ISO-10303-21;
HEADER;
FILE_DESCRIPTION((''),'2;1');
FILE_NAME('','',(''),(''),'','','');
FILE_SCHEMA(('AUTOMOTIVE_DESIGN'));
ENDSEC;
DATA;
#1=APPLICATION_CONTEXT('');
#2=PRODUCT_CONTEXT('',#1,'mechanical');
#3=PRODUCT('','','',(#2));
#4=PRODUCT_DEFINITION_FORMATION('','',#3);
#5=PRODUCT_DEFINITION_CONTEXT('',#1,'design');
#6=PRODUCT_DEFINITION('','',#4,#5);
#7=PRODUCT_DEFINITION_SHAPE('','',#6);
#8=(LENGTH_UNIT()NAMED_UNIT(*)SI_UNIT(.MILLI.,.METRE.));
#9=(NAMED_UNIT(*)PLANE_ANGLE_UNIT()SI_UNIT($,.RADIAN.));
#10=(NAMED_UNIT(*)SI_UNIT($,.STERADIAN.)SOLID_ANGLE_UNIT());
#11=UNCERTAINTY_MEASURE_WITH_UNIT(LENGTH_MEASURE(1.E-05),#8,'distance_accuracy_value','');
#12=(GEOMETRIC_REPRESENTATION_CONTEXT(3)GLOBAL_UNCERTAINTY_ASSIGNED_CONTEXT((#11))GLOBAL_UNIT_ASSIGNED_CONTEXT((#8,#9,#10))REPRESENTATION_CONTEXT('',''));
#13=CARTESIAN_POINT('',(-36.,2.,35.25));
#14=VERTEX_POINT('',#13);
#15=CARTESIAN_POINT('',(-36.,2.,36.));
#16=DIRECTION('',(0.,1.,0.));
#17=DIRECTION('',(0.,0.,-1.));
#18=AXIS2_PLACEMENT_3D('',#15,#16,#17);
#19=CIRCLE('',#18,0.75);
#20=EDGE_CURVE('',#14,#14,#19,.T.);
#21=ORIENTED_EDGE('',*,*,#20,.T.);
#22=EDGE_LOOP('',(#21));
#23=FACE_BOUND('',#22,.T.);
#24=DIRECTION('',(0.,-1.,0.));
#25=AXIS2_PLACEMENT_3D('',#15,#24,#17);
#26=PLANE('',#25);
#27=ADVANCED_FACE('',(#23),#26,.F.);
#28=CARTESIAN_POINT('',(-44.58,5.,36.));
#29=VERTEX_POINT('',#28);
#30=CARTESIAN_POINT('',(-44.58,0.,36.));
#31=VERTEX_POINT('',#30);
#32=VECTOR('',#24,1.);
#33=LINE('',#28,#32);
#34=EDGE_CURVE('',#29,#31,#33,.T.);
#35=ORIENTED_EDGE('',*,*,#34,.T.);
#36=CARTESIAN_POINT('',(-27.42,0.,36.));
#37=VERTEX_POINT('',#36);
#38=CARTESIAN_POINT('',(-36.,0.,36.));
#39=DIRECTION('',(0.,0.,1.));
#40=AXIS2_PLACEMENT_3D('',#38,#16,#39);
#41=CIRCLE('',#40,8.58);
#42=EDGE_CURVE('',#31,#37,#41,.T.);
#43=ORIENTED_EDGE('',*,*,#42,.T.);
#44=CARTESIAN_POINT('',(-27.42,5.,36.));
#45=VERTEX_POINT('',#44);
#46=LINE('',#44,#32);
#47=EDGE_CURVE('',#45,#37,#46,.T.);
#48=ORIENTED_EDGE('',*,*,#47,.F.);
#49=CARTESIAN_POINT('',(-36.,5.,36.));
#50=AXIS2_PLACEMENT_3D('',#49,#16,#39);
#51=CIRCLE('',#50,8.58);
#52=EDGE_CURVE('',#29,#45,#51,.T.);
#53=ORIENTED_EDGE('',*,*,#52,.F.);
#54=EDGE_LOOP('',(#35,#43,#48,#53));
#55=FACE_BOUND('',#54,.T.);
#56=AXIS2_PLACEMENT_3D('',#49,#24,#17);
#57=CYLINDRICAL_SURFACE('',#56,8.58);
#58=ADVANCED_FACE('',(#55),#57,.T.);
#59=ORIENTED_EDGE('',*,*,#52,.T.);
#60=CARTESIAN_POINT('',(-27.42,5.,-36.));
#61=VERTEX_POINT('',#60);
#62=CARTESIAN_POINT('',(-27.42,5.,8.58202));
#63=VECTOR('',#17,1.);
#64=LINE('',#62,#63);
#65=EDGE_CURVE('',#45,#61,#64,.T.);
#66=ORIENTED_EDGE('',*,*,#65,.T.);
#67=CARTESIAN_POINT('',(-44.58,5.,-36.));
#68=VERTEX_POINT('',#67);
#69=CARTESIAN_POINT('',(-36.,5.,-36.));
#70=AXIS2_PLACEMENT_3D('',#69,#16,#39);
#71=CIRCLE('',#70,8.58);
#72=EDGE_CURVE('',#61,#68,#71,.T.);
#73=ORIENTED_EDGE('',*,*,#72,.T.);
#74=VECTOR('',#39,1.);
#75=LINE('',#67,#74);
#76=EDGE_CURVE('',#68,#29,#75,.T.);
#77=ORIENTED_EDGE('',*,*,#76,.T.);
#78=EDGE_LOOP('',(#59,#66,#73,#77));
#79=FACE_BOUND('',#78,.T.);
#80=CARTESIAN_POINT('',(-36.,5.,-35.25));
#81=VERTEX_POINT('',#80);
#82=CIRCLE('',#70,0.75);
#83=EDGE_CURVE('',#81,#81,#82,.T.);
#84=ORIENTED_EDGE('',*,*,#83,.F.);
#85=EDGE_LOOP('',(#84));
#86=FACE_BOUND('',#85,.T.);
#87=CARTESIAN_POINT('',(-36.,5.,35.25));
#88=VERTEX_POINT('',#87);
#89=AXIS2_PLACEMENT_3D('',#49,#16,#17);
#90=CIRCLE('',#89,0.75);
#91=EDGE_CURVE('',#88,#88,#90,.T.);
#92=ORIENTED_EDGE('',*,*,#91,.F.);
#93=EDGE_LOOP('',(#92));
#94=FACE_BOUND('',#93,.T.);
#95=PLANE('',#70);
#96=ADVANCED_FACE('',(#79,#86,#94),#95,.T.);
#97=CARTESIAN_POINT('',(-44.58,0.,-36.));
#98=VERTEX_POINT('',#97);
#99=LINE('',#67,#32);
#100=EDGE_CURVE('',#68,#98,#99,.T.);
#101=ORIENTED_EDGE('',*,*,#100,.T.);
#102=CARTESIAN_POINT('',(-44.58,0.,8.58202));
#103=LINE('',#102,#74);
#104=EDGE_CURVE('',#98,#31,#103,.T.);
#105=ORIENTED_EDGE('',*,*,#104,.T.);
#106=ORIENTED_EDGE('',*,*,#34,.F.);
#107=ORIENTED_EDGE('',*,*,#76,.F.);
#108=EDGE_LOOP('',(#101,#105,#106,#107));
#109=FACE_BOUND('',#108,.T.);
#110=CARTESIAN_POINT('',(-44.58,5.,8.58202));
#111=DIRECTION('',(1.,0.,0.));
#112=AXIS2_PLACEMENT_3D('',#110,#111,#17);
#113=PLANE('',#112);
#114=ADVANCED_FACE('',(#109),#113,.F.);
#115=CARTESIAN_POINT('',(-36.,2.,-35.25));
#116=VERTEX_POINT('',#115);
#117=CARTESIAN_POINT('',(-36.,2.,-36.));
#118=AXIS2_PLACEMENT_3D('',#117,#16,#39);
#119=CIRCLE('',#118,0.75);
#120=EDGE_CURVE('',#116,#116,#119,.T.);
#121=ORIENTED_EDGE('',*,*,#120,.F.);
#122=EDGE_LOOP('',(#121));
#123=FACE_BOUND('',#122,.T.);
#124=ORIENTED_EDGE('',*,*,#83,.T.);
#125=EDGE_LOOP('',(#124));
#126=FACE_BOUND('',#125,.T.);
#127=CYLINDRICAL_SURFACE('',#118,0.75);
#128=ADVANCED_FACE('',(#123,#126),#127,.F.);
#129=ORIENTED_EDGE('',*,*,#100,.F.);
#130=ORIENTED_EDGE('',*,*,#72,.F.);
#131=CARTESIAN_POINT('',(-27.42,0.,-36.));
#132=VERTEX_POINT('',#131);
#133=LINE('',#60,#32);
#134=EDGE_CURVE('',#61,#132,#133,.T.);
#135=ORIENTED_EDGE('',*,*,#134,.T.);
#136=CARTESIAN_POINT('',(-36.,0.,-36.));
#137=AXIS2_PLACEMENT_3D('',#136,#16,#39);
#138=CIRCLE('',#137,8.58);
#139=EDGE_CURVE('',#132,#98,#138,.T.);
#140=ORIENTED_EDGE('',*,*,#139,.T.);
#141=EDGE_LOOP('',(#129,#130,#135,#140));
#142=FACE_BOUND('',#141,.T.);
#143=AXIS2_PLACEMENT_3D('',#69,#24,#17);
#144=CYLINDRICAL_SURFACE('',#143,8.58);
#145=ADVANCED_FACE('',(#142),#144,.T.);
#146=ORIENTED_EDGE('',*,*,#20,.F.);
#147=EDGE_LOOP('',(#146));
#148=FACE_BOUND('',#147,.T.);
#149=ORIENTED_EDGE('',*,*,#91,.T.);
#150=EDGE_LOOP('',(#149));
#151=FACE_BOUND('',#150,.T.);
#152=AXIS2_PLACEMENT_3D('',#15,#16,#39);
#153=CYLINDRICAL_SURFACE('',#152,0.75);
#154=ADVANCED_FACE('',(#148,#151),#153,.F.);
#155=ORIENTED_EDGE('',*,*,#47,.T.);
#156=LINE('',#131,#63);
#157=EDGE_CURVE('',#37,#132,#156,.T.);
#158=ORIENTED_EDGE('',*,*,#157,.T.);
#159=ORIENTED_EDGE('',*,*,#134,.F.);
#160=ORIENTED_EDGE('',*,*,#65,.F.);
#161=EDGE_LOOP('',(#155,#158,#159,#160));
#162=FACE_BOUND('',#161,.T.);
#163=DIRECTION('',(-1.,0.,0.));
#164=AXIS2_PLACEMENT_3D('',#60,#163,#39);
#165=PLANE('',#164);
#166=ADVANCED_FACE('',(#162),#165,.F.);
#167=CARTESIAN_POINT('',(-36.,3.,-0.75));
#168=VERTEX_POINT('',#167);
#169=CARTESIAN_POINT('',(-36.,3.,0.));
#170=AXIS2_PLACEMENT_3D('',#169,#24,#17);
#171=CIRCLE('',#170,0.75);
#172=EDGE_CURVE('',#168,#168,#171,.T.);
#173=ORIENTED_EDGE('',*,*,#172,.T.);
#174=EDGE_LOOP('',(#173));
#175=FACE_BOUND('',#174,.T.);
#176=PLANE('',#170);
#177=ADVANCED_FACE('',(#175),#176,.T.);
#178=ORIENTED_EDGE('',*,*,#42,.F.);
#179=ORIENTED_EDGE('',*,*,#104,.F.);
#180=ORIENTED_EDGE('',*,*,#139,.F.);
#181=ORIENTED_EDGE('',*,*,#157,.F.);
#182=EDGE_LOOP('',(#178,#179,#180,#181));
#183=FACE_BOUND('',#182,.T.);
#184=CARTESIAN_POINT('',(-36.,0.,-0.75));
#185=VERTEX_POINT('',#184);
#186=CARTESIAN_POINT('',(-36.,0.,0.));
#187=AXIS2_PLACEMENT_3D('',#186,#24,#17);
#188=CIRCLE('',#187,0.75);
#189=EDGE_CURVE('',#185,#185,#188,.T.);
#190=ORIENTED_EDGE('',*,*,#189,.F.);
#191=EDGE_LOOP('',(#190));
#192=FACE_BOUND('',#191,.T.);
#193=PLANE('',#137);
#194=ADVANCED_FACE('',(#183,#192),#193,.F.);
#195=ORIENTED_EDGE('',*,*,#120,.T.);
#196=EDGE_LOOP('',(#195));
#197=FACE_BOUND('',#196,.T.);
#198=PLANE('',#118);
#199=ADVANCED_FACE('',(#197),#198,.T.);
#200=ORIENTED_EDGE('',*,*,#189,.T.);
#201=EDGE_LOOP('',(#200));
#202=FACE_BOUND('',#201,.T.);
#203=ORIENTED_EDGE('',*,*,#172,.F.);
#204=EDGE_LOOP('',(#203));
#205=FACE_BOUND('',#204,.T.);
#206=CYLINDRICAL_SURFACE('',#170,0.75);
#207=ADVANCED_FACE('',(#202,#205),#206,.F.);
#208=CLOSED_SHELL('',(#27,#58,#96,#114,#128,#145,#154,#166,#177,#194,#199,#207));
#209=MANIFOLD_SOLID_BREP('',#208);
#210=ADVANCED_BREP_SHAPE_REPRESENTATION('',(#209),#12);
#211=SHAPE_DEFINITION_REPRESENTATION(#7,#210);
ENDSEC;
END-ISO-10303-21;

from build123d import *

# Parameters (mm, degrees)
BOSS_EXTRUDE1_DEPTH = 5
SKETCH3_R           = 0.75
CUT_EXTRUDE1_DEPTH  = 3
SKETCH4_R           = 0.75
CUT_EXTRUDE2_DEPTH  = 3


with BuildPart() as part:
    # Sketch2 → Boss-Extrude1 (new body)
    with BuildSketch(Plane(origin=(0, 0, 0), x_dir=(1, 0, 0), z_dir=(0, 1, 0))):
        with BuildLine():
            Line((-27.42, 36), (-27.42, 8.582019714))
            Line((-27.42, 8.582019714), (-27.42, -8.582019714))
            Line((-27.42, -8.582019714), (-27.42, -36))
            ThreePointArc((-27.42, -36), (-36, -44.58), (-44.58, -36))
            Line((-44.58, -36), (-44.58, -8.582019714))
            Line((-44.58, -8.582019714), (-44.58, 8.582019714))
            Line((-44.58, 8.582019714), (-44.58, 36))
            ThreePointArc((-44.58, 36), (-36, 44.58), (-27.42, 36))
        make_face()
    extrude(amount=BOSS_EXTRUDE1_DEPTH)

    # Sketch3 → Cut-Extrude1 (cut)
    with BuildSketch(Plane.XZ):
        with Locations((-36, 0)):
            Circle(SKETCH3_R)
    extrude(amount=-CUT_EXTRUDE1_DEPTH, mode=Mode.SUBTRACT)

    # Sketch4 → Cut-Extrude2 (cut)
    with BuildSketch(Plane(origin=(0, 5, 0), x_dir=(1, 0, 0), z_dir=(0, 1, 0))):
        with Locations((-36, 36)):
            Circle(SKETCH4_R)
        with Locations((-36, -36)):
            Circle(SKETCH4_R)
    extrude(amount=-CUT_EXTRUDE2_DEPTH, mode=Mode.SUBTRACT)


solid = part.part
